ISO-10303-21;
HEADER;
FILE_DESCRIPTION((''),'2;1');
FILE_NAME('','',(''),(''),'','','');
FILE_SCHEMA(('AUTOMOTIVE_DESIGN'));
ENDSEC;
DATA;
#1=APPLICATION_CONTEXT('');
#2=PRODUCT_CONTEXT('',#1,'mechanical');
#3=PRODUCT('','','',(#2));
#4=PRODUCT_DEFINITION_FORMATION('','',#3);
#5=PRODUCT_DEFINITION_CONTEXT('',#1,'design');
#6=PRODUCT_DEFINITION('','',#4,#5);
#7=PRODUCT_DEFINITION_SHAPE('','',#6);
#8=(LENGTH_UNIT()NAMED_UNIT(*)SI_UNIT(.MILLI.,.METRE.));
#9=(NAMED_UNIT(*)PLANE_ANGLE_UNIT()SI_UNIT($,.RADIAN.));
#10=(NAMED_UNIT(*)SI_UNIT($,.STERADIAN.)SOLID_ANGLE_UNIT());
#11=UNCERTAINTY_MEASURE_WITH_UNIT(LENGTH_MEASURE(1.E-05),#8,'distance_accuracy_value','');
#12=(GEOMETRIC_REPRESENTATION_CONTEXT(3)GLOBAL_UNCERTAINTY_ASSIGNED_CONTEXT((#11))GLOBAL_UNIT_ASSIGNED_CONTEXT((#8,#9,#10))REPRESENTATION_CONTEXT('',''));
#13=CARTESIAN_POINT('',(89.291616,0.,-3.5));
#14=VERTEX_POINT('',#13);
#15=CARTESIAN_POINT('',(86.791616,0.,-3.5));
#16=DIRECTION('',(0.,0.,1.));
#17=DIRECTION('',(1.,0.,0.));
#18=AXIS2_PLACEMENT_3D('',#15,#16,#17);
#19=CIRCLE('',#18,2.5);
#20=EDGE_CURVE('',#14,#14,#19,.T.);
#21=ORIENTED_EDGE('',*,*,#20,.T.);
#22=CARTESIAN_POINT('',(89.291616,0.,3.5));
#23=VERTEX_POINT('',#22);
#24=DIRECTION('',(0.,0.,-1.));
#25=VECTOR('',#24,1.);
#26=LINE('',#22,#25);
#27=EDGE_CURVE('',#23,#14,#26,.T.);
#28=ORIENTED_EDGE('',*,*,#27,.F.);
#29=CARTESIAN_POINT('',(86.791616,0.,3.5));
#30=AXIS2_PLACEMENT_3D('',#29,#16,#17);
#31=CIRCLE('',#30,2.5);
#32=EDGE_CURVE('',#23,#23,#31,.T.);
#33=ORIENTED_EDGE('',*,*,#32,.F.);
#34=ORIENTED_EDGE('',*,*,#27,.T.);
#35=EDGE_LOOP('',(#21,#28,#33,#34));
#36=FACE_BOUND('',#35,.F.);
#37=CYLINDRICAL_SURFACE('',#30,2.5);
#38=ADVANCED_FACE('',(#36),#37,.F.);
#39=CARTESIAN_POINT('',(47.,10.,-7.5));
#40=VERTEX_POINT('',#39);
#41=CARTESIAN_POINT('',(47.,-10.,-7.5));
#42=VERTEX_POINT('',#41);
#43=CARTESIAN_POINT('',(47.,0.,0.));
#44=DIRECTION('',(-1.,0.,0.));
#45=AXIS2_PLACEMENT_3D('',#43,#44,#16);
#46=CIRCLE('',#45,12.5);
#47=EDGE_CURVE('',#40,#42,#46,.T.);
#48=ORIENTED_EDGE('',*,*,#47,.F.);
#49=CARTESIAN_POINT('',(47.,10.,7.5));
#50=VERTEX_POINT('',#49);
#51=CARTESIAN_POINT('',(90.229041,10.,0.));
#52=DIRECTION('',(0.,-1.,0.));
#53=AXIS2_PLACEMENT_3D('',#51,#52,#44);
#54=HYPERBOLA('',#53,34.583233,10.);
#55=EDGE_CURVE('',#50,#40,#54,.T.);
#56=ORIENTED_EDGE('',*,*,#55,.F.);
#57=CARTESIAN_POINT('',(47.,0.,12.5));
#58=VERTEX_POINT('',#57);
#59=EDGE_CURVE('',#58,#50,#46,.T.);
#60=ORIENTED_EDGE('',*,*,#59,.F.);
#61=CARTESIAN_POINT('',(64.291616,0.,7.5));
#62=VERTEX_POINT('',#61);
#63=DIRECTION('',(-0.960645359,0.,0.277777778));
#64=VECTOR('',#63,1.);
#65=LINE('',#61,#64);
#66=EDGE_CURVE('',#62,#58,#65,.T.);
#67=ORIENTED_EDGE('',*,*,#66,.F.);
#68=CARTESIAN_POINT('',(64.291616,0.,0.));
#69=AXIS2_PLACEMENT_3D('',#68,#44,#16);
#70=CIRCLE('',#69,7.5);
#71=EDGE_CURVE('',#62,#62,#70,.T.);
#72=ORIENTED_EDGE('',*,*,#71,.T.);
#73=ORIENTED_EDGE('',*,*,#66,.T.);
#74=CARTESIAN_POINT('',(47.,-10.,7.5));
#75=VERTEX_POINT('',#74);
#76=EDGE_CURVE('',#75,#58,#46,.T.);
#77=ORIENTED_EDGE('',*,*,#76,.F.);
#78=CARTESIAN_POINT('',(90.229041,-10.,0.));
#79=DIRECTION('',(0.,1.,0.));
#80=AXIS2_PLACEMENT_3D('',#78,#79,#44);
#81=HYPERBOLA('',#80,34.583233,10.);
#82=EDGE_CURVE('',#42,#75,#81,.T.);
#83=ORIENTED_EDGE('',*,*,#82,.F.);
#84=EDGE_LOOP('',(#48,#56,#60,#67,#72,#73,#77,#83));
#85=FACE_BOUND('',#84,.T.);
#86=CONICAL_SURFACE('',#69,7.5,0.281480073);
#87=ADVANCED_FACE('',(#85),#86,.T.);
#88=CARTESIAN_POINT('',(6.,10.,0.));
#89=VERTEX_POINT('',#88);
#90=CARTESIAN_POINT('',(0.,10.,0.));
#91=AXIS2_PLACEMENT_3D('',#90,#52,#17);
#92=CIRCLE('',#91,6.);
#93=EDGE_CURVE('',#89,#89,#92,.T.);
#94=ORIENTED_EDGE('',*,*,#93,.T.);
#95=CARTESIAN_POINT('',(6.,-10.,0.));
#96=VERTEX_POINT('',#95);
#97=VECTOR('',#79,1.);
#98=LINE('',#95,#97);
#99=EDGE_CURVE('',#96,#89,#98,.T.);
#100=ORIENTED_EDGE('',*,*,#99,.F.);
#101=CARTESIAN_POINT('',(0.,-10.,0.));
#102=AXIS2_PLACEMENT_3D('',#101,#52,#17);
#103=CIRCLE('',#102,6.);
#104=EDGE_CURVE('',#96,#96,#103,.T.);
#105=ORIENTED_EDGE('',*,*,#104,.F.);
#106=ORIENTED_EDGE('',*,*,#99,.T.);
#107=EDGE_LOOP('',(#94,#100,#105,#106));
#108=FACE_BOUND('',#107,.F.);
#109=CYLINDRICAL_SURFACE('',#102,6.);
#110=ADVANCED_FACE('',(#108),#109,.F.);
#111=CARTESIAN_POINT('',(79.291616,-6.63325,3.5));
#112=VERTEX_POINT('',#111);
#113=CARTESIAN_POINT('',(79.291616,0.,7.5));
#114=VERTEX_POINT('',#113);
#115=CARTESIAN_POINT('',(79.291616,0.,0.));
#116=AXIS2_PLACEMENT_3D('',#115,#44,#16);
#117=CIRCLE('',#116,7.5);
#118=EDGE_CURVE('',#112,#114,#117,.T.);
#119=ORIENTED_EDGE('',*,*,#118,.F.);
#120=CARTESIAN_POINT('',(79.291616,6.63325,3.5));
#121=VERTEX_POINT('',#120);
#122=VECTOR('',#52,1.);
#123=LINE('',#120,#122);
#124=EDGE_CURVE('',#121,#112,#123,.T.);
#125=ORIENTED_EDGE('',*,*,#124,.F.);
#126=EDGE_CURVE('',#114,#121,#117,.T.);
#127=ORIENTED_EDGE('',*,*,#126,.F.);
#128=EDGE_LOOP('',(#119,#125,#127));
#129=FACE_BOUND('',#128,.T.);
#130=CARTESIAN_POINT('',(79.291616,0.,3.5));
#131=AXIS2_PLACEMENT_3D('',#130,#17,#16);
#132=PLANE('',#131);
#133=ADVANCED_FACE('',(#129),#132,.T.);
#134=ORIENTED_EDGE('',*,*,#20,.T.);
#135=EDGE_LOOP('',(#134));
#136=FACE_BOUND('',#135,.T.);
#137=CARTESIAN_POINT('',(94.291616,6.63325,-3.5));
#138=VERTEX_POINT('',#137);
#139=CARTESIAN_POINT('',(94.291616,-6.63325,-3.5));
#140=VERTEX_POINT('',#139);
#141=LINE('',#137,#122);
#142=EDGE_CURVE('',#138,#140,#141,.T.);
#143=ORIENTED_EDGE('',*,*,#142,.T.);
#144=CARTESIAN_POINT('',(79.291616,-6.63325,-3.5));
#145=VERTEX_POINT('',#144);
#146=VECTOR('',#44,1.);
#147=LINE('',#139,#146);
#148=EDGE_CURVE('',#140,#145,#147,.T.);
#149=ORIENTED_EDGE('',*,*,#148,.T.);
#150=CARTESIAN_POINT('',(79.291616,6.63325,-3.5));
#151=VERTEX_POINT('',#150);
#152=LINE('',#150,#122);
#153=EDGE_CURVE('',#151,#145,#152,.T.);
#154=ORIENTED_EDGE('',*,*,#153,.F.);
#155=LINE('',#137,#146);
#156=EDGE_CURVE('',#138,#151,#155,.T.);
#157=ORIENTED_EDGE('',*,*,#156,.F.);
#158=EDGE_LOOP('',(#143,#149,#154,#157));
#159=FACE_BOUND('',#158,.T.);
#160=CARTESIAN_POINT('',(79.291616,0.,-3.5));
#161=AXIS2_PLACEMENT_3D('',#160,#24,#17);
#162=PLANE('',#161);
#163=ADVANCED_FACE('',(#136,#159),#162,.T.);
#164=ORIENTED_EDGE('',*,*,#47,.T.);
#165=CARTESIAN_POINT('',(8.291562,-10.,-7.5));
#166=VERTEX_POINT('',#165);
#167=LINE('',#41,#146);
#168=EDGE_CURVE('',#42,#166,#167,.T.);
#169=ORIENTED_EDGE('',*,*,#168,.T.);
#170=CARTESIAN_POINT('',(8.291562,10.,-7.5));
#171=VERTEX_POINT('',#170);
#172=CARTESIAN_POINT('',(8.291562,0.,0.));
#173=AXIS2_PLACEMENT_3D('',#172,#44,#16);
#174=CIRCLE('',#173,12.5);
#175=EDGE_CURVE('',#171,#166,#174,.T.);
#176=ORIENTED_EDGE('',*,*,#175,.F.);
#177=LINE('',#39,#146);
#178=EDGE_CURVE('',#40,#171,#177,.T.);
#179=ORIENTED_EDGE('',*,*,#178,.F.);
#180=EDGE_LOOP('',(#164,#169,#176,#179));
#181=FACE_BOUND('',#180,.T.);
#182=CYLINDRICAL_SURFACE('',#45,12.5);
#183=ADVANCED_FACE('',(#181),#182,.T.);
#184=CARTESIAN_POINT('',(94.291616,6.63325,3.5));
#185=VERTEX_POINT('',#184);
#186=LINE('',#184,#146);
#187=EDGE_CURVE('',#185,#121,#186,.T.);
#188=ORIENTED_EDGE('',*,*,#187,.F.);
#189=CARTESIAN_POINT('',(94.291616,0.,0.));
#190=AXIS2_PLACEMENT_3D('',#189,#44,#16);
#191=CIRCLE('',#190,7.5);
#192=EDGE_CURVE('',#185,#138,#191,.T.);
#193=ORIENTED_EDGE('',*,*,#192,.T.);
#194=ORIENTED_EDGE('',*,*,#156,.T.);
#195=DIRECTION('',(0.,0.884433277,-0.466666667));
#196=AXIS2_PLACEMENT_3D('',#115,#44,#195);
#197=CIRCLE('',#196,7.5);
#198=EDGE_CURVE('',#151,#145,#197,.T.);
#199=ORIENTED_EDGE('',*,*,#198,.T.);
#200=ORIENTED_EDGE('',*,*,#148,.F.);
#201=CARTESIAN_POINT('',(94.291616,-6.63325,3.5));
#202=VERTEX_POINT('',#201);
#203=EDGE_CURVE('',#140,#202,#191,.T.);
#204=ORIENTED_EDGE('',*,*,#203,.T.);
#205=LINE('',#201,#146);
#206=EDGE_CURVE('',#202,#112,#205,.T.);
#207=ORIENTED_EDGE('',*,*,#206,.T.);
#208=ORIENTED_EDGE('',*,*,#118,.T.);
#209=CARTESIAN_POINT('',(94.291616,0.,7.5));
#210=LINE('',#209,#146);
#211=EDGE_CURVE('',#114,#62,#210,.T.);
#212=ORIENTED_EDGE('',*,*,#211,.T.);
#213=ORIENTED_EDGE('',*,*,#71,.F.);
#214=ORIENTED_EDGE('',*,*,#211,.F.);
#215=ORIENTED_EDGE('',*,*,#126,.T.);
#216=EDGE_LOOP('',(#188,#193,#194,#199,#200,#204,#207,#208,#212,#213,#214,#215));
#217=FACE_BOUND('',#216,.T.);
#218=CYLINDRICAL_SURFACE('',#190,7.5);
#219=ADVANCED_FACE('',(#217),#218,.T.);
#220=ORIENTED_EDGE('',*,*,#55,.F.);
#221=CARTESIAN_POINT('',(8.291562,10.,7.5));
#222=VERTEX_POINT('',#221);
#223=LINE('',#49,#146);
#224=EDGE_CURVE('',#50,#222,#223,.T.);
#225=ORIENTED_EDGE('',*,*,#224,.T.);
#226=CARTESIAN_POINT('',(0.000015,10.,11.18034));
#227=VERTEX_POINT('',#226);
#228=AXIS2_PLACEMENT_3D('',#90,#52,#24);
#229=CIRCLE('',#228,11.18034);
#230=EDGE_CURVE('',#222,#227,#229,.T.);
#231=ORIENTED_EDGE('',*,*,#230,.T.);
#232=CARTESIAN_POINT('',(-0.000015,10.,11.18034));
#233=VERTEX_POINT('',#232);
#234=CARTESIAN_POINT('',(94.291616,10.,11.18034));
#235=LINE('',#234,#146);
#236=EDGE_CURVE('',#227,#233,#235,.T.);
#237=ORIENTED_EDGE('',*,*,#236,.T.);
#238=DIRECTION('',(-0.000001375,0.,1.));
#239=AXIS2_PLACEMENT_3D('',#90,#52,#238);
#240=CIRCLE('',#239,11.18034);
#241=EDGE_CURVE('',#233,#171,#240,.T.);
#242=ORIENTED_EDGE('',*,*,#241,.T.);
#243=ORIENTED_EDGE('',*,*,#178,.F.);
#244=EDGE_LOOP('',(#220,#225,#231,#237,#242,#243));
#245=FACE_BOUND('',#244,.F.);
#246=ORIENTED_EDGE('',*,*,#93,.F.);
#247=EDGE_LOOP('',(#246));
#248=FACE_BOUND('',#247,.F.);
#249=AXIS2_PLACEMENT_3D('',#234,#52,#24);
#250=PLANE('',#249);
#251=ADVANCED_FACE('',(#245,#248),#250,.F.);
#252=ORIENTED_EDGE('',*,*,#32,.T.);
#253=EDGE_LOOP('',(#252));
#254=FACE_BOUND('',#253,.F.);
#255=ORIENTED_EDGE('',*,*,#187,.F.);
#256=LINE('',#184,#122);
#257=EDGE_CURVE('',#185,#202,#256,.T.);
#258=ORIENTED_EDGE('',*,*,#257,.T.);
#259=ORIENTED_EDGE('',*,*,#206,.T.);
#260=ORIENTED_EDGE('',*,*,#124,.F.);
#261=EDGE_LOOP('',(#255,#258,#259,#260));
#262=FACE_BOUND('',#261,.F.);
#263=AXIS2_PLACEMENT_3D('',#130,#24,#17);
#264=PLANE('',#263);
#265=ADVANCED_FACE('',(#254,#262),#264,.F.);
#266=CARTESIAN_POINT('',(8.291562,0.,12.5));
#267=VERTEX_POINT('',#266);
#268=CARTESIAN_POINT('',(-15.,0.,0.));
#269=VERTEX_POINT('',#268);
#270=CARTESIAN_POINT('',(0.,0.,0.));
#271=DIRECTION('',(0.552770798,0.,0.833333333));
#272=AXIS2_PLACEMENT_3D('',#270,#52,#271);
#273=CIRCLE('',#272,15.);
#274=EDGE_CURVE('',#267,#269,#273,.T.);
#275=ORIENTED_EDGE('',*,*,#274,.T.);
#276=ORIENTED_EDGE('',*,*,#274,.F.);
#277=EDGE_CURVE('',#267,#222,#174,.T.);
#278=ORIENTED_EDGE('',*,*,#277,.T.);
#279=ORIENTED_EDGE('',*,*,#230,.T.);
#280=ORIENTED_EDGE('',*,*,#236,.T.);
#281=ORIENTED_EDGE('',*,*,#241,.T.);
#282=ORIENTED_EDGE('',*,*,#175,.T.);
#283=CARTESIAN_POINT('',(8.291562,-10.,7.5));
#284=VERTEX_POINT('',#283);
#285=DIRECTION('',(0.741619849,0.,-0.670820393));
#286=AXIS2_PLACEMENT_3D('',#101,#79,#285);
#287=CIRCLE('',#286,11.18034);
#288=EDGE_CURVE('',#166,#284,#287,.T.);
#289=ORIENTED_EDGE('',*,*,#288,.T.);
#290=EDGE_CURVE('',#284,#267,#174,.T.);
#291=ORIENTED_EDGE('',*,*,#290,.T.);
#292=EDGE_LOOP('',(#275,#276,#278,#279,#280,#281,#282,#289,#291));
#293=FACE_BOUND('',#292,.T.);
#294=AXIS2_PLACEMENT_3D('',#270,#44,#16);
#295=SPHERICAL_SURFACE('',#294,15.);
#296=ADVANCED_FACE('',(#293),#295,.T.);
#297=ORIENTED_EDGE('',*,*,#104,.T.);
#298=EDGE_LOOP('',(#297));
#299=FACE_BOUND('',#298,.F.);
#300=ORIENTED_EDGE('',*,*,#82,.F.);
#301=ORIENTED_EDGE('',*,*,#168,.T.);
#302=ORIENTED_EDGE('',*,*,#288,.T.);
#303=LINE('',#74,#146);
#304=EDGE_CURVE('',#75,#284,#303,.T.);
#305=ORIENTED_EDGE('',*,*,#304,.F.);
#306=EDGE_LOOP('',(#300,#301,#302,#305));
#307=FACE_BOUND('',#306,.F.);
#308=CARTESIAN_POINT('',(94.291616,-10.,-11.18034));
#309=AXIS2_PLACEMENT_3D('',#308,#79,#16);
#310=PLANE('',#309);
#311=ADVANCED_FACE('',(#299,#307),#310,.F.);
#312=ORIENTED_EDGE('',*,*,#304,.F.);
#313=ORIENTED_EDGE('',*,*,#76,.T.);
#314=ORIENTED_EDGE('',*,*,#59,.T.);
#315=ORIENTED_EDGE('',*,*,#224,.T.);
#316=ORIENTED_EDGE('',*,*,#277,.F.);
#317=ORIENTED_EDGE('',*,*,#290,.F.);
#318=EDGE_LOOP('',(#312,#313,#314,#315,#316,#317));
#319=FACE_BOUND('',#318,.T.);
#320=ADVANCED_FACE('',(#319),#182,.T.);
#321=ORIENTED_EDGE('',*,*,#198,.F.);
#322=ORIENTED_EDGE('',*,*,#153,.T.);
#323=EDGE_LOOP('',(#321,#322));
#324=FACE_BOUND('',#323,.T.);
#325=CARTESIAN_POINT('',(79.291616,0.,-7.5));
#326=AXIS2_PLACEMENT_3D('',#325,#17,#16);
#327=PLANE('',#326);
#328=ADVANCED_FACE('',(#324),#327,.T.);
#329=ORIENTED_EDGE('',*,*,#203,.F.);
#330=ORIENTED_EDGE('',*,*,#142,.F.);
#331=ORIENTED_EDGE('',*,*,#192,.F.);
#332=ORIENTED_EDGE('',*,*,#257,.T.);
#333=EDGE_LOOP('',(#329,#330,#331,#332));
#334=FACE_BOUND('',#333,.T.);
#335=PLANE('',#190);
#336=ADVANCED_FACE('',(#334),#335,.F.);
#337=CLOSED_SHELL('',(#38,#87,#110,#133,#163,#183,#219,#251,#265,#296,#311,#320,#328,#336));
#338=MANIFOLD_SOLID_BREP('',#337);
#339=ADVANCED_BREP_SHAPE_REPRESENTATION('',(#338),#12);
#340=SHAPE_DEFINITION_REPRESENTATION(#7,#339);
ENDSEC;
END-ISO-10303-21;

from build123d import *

# Parameters (mm, degrees)
F2_W          = 15
F2_H          = 4
F3_DEPTH      = 15.001
F3_DEPTH_BACK = 15.001
F5_DEPTH      = 109.2926164658
F6_R          = 6
F7_DEPTH      = 20.001
F8_R          = 2.5
F9_DEPTH      = 18.501


with BuildPart() as f1:
    # F0 (on Front) → F1 (revolve)
    with BuildSketch(Plane.XZ):
        with BuildLine():
            ThreePointArc((8.2915619759, 12.5), (-7.0931858273, 13.2169101843), (-15, 0))
            Line((-15, 0), (94.2916164658, 0))
            Line((94.2916164658, 0), (94.2916164658, 7.5))
            Line((94.2916164658, 7.5), (64.2916164658, 7.5))
            Line((64.2916164658, 7.5), (47, 12.5))
            Line((47, 12.5), (8.2915619759, 12.5))
        make_face()
    revolve(axis=Axis((39.6458082329, 0, 0), (-1, 0, 0)))

    # F2 (on Front) → F3 (cut, two sides)
    with BuildSketch(Plane.XZ) as f3_sk:
        with Locations((86.7916164658, 5.5)):
            Rectangle(F2_W, F2_H)
        with Locations((86.7916164658, -5.5)):
            Rectangle(F2_W, F2_H)
    extrude(amount=-F3_DEPTH, mode=Mode.SUBTRACT)
    extrude(f3_sk.sketch, amount=F3_DEPTH_BACK, mode=Mode.SUBTRACT)

    # F4 (on face) → F5 (cut, through all)
    with BuildSketch(Plane.YZ.offset(94.2916164658)):
        with BuildLine():
            ThreePointArc((10, -11.1803398875), (13.6930639376, -6.123724357), (15, 0))
            ThreePointArc((15, 0), (13.6930639376, 6.123724357), (10, 11.1803398875))
            Line((10, 11.1803398875), (10, -11.1803398875))
        make_face()
        with BuildLine():
            Line((-10, -11.1803398875), (-10, 11.1803398875))
            ThreePointArc((-10, 11.1803398875), (-15, 0), (-10, -11.1803398875))
        make_face()
    extrude(amount=-F5_DEPTH, mode=Mode.SUBTRACT)

    # F6 (on face) → F7 (cut, through all)
    with BuildSketch(Plane.XZ.offset(10)):
        Circle(F6_R)
    extrude(amount=-F7_DEPTH, mode=Mode.SUBTRACT)

    # F8 (on face) → F9 (cut, through all)
    with BuildSketch(Plane.XY.offset(3.5)):
        with Locations((86.7916164658, 0)):
            Circle(F8_R)
    extrude(amount=-F9_DEPTH, mode=Mode.SUBTRACT)


solid = f1.part
